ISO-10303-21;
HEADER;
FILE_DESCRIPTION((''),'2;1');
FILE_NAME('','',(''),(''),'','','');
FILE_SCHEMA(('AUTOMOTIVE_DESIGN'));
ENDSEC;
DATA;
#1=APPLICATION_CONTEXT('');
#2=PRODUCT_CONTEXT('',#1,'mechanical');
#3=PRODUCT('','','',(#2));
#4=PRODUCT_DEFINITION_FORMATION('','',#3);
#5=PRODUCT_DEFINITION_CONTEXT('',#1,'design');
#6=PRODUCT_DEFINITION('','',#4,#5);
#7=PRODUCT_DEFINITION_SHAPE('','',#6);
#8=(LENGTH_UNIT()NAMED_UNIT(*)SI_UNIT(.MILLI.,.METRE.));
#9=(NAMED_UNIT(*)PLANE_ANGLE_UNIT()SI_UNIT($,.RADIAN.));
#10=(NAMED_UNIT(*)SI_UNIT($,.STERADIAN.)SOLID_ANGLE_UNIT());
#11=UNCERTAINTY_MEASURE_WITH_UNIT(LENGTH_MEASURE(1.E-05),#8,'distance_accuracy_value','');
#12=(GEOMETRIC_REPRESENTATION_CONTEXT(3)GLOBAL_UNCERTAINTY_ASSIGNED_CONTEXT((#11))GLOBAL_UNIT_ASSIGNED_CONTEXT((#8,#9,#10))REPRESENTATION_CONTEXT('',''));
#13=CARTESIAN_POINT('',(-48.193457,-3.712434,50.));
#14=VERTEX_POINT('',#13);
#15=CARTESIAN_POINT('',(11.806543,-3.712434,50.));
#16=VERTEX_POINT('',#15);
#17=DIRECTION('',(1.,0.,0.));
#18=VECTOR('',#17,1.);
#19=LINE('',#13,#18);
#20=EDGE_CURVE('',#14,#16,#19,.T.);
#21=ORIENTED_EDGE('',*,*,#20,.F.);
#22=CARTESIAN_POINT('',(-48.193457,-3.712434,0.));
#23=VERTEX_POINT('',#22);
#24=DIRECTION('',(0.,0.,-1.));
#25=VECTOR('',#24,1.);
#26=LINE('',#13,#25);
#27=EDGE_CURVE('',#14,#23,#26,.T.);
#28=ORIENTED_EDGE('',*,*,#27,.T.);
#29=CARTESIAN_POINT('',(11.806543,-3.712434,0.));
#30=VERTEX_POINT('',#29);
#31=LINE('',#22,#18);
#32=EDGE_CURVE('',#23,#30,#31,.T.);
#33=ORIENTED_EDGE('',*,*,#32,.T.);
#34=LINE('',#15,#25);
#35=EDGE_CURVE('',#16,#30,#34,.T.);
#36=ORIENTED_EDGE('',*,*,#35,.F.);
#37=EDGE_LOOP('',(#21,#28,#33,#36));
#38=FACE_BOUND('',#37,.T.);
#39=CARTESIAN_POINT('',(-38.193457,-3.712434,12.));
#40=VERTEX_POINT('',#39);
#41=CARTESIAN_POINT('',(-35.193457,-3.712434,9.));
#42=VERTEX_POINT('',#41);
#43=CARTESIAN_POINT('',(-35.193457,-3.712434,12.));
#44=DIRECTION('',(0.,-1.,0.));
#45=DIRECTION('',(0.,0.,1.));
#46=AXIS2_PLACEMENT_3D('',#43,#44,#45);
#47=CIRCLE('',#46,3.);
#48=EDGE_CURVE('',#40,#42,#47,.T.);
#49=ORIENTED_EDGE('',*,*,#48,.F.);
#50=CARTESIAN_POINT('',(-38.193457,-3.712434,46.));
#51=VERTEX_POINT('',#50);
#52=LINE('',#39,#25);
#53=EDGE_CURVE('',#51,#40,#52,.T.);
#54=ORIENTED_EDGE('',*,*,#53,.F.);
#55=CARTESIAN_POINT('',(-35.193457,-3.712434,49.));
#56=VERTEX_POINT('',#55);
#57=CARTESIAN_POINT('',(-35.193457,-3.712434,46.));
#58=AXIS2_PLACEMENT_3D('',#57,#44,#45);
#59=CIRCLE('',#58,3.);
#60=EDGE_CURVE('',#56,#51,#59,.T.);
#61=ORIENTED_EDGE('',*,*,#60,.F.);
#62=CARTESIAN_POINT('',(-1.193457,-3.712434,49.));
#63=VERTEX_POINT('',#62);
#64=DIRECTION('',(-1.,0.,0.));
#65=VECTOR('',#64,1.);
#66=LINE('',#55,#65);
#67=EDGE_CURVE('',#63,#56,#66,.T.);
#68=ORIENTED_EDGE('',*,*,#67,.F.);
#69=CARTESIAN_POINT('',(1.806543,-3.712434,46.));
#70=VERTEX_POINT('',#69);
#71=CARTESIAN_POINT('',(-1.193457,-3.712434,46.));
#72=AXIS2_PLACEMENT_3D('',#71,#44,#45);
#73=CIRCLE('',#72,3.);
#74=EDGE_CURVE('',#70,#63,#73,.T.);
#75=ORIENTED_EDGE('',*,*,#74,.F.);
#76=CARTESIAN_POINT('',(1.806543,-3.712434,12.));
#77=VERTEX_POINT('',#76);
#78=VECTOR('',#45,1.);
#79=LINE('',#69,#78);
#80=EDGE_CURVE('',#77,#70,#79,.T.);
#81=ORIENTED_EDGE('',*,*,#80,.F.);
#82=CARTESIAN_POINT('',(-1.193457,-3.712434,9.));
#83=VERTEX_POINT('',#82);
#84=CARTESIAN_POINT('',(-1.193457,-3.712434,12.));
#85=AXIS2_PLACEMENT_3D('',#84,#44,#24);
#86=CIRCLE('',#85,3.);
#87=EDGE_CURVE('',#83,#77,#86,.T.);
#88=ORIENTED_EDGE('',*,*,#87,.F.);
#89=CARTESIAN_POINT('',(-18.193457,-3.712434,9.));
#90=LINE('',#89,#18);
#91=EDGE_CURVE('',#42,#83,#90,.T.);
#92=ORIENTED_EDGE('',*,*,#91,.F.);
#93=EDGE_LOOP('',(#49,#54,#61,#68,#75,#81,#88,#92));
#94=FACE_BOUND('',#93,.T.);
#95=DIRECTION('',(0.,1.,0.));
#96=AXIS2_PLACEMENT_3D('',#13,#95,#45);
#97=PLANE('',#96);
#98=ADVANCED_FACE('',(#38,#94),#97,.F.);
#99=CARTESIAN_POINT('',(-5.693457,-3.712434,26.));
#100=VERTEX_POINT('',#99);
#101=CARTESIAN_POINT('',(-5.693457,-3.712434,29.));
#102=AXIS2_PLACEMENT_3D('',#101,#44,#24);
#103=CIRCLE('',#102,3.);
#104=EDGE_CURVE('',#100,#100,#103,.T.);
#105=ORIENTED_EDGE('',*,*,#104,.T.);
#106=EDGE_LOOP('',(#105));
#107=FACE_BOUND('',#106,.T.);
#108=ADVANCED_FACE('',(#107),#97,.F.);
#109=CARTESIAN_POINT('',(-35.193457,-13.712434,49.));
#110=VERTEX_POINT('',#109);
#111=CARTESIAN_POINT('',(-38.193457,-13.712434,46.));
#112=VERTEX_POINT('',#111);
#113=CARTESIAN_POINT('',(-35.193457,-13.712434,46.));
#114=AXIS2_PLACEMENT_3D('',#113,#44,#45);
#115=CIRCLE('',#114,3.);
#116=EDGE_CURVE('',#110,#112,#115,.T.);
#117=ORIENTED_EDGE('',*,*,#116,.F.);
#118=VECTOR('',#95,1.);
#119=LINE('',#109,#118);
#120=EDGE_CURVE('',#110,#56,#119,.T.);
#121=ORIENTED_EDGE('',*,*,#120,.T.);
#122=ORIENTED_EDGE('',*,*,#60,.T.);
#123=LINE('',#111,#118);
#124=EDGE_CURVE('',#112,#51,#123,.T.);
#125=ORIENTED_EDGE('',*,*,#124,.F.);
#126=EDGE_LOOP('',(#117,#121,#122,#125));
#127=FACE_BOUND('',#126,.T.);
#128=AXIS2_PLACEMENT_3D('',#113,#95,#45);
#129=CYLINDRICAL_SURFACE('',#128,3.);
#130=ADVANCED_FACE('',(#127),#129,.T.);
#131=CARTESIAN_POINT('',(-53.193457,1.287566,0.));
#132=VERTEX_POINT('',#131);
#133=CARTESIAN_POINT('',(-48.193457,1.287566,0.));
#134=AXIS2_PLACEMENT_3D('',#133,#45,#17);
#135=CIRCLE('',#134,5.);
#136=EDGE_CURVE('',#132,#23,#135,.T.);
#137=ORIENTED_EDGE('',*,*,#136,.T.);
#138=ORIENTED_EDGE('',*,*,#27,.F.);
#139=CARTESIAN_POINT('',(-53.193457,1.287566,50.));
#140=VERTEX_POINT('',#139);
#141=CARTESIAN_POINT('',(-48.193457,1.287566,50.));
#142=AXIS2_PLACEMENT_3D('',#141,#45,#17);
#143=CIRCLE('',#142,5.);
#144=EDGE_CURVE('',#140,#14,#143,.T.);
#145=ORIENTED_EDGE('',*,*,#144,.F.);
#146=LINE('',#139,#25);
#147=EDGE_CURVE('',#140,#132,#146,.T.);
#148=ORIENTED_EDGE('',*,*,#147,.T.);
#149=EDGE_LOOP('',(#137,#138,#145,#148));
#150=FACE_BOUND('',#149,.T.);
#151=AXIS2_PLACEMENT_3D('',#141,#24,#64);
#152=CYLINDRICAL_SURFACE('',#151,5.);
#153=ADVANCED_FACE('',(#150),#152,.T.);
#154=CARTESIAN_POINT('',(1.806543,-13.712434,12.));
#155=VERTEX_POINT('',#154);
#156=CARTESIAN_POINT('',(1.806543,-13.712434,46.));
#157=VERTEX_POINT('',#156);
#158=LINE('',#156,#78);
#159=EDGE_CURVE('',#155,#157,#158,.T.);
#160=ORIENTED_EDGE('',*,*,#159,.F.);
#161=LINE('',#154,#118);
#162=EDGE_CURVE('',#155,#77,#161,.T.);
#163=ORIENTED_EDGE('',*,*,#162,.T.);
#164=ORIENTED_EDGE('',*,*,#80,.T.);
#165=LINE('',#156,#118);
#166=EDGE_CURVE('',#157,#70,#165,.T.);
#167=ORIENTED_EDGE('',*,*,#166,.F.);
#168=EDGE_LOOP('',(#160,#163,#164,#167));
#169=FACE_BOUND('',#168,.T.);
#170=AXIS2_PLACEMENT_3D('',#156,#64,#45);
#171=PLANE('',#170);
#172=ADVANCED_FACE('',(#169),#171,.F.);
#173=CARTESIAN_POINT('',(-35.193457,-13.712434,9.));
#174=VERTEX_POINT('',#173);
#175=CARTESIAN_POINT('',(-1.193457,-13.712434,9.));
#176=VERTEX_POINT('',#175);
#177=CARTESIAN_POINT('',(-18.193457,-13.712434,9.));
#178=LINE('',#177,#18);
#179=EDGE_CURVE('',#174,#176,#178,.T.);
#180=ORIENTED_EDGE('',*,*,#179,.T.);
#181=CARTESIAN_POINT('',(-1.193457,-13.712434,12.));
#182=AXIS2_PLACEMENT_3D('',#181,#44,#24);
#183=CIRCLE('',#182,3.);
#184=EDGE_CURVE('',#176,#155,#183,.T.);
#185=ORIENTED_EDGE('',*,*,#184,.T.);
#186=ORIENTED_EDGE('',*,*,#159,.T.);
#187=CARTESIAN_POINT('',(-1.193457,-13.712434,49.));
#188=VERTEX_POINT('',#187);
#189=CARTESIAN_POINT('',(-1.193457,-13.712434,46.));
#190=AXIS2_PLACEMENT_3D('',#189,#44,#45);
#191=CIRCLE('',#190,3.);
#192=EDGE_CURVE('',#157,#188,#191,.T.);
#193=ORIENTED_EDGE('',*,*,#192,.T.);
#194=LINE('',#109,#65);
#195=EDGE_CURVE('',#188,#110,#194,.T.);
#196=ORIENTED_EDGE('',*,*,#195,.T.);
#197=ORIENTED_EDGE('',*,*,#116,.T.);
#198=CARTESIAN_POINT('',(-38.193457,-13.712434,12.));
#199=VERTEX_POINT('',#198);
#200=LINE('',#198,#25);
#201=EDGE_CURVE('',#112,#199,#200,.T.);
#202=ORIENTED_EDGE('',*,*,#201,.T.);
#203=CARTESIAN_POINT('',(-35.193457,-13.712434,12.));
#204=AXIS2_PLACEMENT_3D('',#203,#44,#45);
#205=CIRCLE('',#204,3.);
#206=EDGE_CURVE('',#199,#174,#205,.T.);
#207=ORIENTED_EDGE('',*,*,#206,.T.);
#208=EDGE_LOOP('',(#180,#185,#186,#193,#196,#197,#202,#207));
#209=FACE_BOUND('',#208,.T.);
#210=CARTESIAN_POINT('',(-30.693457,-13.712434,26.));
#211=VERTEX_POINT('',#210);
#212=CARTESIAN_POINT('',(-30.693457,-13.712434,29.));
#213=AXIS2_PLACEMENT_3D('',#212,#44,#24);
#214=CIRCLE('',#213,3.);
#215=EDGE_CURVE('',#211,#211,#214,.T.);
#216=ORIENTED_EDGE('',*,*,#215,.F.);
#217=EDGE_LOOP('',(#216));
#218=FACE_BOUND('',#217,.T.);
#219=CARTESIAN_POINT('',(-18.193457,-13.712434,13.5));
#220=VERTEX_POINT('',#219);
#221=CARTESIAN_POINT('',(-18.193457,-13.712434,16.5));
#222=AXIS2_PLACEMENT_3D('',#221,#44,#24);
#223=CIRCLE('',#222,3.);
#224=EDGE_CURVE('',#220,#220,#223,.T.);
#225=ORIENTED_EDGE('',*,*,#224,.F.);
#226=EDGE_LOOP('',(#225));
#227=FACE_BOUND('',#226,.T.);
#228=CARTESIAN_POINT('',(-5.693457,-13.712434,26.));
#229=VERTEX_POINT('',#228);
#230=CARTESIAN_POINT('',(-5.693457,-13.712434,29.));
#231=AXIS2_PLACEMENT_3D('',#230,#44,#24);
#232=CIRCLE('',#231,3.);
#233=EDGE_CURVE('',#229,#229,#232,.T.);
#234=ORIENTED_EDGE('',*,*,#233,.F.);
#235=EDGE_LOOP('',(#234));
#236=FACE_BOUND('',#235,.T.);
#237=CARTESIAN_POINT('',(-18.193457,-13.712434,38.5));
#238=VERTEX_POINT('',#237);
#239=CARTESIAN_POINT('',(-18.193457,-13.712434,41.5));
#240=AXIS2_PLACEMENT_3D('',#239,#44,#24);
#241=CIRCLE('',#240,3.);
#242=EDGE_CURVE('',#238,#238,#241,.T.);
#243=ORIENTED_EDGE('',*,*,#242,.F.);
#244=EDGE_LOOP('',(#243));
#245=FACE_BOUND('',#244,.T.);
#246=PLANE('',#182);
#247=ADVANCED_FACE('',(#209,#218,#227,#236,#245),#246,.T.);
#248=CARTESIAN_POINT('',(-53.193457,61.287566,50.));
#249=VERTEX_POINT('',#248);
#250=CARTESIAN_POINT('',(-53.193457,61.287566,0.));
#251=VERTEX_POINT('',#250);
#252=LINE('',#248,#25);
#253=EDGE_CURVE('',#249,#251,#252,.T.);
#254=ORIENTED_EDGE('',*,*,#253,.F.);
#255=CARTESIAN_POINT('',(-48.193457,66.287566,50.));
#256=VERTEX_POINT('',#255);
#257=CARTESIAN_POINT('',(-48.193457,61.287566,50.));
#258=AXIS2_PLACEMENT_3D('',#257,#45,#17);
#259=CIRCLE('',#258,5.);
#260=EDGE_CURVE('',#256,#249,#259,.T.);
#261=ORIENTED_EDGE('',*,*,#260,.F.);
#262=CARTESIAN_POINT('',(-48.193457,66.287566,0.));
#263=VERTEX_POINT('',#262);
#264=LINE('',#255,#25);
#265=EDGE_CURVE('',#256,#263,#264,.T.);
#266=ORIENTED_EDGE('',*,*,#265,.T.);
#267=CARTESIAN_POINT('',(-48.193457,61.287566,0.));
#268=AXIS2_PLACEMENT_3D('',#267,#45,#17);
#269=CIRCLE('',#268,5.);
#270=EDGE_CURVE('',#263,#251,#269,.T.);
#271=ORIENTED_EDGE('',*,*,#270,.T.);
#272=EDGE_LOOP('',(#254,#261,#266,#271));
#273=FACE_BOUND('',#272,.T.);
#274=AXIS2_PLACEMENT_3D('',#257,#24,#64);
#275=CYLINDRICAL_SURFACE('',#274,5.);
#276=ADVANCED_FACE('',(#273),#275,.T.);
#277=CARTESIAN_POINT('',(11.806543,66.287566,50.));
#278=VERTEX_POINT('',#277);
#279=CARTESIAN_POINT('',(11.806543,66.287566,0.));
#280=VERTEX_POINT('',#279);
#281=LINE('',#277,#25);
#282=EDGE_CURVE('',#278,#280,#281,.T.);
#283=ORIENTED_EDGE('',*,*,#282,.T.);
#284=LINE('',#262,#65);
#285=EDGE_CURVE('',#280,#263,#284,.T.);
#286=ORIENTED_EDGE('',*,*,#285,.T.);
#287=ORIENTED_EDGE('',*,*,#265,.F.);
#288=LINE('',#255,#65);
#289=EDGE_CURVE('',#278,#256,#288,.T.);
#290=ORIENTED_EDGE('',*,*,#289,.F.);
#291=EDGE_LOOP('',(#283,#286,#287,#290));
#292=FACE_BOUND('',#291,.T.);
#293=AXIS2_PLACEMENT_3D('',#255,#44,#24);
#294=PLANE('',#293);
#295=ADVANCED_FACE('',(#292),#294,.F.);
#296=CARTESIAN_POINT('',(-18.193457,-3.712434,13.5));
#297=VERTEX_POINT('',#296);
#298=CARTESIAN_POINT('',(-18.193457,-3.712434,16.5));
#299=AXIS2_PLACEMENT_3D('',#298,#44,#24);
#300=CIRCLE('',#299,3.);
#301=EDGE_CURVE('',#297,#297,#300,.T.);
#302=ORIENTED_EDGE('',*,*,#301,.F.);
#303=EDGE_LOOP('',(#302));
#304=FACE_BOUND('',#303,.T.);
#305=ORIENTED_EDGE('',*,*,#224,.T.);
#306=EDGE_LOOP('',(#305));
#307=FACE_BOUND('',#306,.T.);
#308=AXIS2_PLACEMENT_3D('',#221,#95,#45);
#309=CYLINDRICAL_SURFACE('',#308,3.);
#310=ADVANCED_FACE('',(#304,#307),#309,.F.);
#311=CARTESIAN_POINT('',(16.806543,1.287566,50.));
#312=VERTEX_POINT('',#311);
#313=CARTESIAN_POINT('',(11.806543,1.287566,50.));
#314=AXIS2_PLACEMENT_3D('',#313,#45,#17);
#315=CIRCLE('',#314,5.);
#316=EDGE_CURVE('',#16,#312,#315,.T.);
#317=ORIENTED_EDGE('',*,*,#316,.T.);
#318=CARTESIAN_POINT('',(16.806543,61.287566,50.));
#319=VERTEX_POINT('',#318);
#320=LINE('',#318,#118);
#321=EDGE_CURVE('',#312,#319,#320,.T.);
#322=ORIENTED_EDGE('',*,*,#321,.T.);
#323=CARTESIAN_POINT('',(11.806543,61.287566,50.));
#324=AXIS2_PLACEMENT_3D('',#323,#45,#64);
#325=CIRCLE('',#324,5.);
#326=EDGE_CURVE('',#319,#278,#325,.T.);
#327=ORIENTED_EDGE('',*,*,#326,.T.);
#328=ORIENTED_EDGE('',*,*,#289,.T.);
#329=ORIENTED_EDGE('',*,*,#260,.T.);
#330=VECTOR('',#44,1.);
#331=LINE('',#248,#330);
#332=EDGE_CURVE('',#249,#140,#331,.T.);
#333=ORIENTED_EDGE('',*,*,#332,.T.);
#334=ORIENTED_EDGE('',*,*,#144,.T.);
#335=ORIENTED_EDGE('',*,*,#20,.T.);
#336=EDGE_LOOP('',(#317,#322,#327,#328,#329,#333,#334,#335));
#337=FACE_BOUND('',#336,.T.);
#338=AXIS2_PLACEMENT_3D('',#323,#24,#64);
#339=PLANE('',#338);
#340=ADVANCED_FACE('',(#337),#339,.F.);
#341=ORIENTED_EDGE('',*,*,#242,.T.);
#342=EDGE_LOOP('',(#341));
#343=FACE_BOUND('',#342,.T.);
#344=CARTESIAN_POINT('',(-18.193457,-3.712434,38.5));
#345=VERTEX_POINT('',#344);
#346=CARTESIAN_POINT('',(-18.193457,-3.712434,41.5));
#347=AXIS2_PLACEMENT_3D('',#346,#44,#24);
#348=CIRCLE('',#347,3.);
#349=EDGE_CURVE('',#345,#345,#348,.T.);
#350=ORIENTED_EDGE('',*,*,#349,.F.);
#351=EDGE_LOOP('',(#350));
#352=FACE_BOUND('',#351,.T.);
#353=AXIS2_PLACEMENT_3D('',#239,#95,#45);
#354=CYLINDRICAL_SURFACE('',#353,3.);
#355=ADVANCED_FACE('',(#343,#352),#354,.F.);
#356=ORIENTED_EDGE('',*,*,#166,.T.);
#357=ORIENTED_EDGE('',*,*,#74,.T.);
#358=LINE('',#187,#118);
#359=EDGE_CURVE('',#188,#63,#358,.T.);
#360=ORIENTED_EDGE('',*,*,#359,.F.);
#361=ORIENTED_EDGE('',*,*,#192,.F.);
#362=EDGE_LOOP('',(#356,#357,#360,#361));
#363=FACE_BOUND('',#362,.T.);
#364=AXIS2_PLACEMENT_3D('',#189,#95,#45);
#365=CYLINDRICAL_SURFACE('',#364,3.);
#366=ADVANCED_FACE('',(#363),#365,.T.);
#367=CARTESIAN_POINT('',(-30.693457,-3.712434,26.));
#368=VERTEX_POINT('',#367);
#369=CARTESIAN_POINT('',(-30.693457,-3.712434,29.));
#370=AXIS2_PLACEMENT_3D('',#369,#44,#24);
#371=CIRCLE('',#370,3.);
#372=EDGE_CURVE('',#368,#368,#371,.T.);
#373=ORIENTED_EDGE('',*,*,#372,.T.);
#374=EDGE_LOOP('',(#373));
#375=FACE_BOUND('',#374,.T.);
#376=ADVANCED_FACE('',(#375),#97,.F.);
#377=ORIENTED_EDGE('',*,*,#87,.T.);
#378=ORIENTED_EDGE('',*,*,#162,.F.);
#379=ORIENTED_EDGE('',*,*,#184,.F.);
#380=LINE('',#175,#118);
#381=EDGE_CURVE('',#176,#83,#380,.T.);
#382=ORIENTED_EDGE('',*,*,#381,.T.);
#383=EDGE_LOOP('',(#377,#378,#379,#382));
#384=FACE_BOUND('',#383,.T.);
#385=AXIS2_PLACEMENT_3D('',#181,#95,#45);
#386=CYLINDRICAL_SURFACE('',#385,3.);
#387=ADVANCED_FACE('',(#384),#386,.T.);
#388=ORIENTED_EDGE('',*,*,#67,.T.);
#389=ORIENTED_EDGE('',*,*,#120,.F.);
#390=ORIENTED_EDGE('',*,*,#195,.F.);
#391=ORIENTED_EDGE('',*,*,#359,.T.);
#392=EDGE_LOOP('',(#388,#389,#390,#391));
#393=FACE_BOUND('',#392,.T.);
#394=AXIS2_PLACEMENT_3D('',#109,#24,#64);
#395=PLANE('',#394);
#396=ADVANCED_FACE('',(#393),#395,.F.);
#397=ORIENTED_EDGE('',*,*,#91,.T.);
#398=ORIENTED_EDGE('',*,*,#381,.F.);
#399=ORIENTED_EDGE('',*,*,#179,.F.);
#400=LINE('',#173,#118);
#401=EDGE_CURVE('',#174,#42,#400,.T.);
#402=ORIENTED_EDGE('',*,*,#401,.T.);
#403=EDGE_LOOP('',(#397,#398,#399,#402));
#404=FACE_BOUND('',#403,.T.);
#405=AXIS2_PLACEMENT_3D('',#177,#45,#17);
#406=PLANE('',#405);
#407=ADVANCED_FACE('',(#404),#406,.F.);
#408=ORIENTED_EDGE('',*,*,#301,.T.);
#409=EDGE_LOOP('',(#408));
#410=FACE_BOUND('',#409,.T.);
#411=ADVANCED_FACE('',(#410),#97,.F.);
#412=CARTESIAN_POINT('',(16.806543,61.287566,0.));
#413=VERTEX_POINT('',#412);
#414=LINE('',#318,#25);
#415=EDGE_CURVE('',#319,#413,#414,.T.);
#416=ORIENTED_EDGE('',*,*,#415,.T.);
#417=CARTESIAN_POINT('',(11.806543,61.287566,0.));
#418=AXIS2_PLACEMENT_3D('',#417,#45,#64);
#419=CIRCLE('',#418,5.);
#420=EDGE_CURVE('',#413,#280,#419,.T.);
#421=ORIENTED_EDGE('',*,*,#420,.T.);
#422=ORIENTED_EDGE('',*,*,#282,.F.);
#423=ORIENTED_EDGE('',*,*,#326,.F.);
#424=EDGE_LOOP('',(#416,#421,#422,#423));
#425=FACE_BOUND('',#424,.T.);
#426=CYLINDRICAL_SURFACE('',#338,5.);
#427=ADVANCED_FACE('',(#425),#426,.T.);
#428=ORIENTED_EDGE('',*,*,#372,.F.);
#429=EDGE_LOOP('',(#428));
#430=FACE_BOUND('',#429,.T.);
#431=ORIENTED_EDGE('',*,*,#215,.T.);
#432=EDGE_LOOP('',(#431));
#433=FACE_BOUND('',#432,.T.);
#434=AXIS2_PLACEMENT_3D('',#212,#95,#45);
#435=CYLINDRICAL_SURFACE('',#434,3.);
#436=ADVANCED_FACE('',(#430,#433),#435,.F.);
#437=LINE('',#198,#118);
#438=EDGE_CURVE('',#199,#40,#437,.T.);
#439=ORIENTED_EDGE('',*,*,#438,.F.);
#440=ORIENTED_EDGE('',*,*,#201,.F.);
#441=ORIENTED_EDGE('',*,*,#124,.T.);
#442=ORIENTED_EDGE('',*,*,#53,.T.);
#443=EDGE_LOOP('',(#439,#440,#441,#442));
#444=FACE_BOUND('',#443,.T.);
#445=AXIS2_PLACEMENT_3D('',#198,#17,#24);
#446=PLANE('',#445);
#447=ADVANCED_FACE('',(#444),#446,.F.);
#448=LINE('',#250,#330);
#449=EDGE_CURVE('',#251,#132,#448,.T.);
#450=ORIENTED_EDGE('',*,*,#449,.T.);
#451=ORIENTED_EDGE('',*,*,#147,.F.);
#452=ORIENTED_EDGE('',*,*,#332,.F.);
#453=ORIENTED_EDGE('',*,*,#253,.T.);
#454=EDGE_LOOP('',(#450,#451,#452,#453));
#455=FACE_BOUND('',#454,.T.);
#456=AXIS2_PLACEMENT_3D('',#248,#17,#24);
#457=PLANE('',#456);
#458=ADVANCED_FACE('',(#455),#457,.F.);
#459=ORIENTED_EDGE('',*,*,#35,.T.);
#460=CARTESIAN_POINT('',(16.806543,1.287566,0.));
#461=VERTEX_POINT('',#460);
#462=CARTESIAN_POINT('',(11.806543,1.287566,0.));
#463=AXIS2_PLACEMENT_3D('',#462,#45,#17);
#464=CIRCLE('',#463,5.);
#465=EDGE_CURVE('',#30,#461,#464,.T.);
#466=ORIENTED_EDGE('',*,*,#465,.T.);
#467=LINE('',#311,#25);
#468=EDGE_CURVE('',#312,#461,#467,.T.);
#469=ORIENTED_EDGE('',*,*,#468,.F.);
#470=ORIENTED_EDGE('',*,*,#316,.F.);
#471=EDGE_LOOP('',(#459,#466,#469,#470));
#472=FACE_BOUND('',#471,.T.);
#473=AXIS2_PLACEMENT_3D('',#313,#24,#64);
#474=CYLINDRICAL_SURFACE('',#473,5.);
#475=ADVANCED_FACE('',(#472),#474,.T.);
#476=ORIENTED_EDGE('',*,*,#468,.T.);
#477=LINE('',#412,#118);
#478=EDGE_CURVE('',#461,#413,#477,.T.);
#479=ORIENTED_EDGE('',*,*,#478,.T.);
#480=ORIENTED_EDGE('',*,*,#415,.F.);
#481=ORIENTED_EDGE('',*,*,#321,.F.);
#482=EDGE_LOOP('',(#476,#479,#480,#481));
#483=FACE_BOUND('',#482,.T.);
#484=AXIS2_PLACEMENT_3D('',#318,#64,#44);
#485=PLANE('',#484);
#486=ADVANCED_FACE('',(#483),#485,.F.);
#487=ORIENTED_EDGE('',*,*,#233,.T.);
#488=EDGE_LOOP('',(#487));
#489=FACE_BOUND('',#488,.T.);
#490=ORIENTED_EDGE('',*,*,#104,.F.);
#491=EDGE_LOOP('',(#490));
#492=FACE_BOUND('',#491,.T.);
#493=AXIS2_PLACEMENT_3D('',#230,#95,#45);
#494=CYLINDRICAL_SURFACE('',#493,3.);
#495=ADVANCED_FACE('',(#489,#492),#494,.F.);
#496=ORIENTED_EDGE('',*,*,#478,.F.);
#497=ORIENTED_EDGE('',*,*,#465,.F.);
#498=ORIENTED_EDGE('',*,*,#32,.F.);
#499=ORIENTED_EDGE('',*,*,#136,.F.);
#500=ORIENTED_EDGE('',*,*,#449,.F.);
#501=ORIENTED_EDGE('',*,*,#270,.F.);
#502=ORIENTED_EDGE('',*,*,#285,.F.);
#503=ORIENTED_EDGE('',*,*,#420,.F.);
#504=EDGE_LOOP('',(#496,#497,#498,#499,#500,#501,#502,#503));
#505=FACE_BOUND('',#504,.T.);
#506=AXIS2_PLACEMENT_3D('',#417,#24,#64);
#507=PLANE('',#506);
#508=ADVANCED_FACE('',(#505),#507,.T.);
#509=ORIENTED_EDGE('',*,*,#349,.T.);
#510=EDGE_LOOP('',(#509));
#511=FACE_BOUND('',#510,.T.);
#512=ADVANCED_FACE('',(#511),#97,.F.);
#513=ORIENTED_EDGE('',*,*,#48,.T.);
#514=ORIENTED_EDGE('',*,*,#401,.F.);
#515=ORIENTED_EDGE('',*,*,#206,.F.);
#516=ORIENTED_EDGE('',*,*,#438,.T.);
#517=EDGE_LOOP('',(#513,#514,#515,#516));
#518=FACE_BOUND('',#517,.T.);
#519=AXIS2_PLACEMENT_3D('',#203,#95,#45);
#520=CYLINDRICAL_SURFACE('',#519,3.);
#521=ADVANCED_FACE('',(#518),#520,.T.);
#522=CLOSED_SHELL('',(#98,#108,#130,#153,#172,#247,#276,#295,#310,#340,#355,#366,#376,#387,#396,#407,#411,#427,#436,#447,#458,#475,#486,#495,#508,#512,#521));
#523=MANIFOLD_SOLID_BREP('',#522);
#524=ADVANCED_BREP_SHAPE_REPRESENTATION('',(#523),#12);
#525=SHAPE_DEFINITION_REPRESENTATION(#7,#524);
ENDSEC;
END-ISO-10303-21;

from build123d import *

# Parameters (mm, degrees)
EXTRUDE_1_DEPTH = 50
SKETCH_2_R      = 3
EXTRUDE_2_DEPTH = 10


with BuildPart() as part:
    # 草图1 → 凸台-拉伸1 (new body)
    with BuildSketch(Plane.XY):
        with BuildLine():
            Line((-48.193457488, 66.287565891), (11.806542512, 66.287565891))
            ThreePointArc((11.806542512, 66.287565891), (15.342076418, 64.823099797), (16.806542512, 61.287565891))
            Line((16.806542512, 61.287565891), (16.806542512, 1.287565891))
            ThreePointArc((16.806542512, 1.287565891), (15.342076418, -2.247968015), (11.806542512, -3.712434109))
            Line((11.806542512, -3.712434109), (-48.193457488, -3.712434109))
            ThreePointArc((-48.193457488, -3.712434109), (-51.728991394, -2.247968015), (-53.193457488, 1.287565891))
            Line((-53.193457488, 1.287565891), (-53.193457488, 61.287565891))
            ThreePointArc((-53.193457488, 61.287565891), (-51.728991394, 64.823099797), (-48.193457488, 66.287565891))
        make_face()
    extrude(amount=EXTRUDE_1_DEPTH)

    # 草图2 → 凸台-拉伸2 (add)
    with BuildSketch(Plane.XZ.offset(3.712434109)):
        with BuildLine():
            Line((-18.193457488, 9), (-35.193457488, 9))
            ThreePointArc((-35.193457488, 9), (-37.314777832, 9.878679656), (-38.193457488, 12))
            Line((-38.193457488, 12), (-38.193457488, 46))
            ThreePointArc((-38.193457488, 46), (-37.314777832, 48.121320344), (-35.193457488, 49))
            Line((-35.193457488, 49), (-1.193457488, 49))
            ThreePointArc((-1.193457488, 49), (0.927862855, 48.121320344), (1.806542512, 46))
            Line((1.806542512, 46), (1.806542512, 12))
            ThreePointArc((1.806542512, 12), (0.927862855, 9.878679656), (-1.193457488, 9))
            Line((-1.193457488, 9), (-18.193457488, 9))
        make_face()
        with Locations((-18.193457488, 41.5)):
            Circle(SKETCH_2_R, mode=Mode.SUBTRACT)
        with Locations((-30.693457488, 29)):
            Circle(SKETCH_2_R, mode=Mode.SUBTRACT)
        with Locations((-18.193457488, 16.5)):
            Circle(SKETCH_2_R, mode=Mode.SUBTRACT)
        with Locations((-5.693457488, 29)):
            Circle(SKETCH_2_R, mode=Mode.SUBTRACT)
    extrude(amount=EXTRUDE_2_DEPTH)


solid = part.part
